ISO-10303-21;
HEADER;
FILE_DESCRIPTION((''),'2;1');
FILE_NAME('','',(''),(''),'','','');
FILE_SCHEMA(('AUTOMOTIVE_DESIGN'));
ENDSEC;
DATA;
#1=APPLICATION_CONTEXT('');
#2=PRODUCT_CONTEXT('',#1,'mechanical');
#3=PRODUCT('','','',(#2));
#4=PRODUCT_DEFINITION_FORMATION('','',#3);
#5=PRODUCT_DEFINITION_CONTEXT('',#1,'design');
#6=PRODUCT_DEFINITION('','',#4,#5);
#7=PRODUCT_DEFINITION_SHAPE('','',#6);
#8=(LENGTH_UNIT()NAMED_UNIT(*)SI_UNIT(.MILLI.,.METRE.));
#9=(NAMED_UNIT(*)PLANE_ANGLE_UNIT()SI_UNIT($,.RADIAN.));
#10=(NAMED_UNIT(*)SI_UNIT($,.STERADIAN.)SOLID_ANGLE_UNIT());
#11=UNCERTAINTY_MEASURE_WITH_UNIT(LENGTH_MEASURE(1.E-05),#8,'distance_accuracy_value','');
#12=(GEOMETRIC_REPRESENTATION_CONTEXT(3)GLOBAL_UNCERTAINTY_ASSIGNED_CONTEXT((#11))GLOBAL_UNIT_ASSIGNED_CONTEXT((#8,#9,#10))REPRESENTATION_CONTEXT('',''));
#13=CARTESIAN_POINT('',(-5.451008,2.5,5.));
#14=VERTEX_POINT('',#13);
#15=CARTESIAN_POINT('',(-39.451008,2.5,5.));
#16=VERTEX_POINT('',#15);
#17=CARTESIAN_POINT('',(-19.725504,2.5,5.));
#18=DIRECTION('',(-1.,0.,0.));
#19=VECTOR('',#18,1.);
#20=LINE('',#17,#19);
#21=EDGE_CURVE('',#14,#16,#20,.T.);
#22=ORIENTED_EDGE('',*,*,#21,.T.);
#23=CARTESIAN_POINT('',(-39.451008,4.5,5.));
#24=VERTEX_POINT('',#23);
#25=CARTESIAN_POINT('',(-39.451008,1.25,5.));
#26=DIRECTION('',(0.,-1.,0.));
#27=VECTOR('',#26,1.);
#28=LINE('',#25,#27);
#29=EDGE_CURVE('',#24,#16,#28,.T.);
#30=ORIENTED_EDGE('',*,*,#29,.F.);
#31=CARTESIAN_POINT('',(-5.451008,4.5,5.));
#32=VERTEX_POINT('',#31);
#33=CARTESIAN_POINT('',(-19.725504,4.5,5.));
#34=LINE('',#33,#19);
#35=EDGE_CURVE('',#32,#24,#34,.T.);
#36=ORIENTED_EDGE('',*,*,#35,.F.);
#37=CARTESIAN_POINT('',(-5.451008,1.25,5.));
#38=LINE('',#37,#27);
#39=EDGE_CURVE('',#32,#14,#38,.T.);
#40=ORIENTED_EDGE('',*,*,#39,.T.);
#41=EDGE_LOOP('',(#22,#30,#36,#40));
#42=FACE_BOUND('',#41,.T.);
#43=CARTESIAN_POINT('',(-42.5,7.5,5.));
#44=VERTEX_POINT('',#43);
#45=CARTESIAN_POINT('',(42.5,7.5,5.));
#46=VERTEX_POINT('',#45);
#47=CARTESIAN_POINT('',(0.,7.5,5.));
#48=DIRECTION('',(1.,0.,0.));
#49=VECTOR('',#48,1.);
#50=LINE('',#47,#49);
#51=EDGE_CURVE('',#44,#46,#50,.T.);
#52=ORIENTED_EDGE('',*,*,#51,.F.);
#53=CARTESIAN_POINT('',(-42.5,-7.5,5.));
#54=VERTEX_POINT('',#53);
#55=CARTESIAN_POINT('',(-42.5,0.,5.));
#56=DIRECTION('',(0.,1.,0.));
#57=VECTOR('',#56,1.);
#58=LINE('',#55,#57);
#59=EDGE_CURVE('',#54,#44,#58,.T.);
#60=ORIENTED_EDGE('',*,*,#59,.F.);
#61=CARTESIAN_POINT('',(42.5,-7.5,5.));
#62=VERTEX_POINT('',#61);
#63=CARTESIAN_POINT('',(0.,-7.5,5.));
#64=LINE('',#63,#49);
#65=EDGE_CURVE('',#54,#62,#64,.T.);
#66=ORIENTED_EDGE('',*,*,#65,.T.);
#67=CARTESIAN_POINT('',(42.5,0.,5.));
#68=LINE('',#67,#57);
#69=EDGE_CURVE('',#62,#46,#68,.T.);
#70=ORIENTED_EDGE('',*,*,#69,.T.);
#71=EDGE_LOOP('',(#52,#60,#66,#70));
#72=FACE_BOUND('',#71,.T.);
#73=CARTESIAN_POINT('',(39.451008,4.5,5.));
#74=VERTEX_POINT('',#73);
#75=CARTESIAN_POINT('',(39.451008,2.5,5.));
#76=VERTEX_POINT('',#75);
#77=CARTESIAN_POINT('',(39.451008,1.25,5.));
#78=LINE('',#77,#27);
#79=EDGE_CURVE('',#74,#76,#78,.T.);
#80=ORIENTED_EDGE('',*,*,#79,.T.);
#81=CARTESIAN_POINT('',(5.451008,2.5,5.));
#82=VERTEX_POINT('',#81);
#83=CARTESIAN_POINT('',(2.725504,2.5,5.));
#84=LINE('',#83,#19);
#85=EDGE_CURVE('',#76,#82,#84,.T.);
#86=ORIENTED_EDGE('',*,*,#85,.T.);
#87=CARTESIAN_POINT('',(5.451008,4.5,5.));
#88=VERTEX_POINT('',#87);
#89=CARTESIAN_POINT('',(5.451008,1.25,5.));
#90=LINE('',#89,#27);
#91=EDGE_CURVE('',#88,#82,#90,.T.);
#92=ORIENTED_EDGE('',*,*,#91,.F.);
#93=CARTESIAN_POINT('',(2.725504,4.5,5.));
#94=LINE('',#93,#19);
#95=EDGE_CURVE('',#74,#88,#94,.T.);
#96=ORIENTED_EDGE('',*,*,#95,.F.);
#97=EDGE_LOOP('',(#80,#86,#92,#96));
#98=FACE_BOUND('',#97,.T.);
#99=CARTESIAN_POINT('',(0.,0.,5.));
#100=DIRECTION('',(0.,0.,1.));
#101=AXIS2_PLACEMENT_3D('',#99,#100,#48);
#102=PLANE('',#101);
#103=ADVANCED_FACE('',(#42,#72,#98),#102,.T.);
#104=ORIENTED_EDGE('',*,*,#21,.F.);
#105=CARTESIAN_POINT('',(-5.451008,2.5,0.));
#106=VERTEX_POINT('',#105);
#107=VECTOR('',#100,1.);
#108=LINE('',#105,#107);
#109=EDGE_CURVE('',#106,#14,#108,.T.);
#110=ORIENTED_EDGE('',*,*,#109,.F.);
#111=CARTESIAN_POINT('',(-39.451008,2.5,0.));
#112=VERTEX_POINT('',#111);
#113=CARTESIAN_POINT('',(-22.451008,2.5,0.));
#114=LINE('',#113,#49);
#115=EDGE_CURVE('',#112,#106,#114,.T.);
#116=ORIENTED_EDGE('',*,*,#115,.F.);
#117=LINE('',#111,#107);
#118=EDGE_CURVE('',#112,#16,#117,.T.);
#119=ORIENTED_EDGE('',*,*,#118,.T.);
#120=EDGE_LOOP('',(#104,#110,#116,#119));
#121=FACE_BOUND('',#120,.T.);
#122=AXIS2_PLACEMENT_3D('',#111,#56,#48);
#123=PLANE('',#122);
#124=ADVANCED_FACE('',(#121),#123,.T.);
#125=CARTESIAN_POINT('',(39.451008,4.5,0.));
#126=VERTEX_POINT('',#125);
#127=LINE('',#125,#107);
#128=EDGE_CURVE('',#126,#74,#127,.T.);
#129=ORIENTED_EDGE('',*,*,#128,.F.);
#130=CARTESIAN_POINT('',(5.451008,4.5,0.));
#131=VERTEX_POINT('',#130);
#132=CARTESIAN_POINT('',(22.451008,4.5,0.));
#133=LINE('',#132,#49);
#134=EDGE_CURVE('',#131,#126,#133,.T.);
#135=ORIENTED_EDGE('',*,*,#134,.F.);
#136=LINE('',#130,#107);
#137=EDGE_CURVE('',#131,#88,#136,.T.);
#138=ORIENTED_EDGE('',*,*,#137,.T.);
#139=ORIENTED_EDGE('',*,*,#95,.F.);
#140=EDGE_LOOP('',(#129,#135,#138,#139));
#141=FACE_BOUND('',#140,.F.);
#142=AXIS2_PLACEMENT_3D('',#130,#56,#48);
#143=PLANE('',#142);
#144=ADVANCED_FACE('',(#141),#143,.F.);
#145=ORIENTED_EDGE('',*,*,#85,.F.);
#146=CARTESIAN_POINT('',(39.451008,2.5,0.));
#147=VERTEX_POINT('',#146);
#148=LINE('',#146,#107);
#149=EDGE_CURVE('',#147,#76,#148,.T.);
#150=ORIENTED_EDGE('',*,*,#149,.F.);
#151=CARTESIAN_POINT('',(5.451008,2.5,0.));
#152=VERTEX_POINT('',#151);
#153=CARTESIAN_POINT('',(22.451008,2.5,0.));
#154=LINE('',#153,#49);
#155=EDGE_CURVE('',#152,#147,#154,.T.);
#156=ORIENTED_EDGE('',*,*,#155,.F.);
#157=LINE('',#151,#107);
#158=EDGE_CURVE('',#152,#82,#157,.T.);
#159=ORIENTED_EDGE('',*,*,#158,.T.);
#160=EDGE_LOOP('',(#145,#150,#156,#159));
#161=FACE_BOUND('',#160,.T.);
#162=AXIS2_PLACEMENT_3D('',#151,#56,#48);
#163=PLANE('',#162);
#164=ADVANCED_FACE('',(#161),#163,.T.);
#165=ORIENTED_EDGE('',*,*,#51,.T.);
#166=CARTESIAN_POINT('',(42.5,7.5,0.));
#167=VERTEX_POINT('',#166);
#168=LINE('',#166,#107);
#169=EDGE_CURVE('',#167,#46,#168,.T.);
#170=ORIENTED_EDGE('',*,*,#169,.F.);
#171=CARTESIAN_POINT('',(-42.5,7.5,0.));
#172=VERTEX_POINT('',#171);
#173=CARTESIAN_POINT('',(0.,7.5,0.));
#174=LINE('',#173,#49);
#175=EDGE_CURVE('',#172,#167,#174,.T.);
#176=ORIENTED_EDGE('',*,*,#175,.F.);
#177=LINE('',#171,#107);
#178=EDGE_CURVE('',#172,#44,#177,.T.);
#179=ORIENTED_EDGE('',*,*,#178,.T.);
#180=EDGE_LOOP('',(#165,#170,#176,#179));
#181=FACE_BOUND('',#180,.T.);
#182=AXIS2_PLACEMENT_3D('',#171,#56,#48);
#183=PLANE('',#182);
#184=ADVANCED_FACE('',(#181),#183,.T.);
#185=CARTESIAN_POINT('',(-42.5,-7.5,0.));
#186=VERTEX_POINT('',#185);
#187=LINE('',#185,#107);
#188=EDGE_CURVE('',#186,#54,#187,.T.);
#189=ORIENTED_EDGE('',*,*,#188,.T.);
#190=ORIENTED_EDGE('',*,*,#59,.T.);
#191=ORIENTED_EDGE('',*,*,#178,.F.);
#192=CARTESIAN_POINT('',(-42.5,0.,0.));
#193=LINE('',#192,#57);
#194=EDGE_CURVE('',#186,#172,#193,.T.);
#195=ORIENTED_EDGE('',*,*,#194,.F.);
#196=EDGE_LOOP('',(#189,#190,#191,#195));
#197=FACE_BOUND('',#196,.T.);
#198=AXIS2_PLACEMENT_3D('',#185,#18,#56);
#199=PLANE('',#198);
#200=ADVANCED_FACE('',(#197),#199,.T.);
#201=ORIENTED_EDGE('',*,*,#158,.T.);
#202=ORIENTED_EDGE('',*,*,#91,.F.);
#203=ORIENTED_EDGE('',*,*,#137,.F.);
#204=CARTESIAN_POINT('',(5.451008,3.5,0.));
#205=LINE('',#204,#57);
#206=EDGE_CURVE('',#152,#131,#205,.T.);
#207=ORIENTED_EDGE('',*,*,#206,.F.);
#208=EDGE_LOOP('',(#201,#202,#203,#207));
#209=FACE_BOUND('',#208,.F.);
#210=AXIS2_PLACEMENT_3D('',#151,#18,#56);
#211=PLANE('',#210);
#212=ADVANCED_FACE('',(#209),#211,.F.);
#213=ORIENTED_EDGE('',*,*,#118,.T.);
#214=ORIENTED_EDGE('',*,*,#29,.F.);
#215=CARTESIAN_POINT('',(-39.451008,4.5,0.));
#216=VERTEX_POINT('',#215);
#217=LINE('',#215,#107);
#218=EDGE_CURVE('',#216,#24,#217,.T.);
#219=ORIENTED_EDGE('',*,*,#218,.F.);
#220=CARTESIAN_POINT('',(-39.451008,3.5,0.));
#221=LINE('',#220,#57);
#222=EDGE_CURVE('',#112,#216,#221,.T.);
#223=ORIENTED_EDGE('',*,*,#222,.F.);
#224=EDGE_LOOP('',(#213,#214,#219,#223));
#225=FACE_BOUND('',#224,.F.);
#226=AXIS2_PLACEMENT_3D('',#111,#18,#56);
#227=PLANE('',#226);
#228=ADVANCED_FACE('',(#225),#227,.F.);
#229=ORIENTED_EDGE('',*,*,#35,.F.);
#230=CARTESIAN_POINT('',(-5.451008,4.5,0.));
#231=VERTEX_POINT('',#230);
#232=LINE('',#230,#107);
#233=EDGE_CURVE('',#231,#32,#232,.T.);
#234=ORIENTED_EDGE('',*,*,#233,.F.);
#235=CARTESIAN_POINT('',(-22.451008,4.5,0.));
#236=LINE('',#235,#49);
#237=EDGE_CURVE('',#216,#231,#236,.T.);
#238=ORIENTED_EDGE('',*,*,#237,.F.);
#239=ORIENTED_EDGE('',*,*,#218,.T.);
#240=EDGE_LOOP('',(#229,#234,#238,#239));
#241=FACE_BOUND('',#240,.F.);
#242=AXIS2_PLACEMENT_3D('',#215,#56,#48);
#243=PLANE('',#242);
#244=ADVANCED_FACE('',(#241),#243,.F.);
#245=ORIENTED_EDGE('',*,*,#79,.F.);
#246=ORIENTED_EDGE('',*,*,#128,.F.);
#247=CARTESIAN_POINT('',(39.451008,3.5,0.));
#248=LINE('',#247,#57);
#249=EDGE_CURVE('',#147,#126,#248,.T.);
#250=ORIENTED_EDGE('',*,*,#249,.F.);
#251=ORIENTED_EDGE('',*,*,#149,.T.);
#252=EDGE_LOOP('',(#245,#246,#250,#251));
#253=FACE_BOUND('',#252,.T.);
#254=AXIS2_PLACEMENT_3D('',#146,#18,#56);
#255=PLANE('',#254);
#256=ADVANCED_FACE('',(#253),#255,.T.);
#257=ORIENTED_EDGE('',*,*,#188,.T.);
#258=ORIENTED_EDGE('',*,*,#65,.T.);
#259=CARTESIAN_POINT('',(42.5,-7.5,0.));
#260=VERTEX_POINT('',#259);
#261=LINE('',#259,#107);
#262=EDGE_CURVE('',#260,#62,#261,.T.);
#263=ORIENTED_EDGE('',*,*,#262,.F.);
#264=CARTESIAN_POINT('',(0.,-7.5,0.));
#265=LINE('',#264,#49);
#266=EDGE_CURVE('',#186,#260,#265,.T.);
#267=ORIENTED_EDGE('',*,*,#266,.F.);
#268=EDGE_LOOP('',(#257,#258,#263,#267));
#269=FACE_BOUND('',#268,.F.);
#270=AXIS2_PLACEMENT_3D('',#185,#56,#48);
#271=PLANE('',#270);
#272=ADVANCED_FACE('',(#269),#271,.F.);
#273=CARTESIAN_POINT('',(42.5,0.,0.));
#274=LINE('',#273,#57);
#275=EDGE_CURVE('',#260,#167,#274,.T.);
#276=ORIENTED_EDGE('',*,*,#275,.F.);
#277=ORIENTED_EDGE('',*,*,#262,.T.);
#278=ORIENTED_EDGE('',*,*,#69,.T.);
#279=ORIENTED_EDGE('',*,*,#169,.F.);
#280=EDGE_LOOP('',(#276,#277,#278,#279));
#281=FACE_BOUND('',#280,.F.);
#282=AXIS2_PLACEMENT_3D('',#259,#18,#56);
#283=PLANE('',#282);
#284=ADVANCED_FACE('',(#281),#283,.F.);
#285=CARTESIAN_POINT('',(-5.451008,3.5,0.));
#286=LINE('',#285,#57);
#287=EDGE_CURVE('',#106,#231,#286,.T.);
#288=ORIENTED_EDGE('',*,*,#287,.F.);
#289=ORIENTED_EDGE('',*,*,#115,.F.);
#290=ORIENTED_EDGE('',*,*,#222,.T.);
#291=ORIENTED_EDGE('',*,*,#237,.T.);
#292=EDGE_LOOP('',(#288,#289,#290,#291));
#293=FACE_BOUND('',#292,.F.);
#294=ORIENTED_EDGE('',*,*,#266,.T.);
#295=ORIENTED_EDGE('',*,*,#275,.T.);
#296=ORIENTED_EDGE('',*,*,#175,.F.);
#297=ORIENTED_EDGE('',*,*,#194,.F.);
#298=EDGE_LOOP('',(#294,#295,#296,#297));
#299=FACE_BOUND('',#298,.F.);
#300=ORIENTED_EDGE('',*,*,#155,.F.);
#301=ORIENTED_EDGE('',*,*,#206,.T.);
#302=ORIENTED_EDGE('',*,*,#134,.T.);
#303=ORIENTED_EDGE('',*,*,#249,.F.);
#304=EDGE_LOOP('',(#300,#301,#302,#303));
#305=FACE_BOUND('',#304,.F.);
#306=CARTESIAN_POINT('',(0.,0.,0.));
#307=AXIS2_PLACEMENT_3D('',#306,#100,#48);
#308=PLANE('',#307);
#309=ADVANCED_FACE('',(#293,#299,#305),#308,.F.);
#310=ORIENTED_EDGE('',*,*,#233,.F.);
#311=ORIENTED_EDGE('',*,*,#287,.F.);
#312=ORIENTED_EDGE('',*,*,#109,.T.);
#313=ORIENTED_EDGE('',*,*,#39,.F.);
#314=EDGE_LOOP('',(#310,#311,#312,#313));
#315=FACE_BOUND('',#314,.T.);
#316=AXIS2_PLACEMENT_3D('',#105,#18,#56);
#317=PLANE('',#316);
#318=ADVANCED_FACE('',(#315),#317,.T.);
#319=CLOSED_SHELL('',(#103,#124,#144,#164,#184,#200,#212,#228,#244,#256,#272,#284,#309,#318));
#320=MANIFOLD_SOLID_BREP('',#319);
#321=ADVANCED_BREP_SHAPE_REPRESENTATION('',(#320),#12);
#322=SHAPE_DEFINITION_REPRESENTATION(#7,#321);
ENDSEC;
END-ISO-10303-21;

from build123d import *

# Parameters (mm, degrees)
F0_W     = 85
F0_H     = 15
F1_DEPTH = 5
F2_W     = 34
F2_H     = 2
F3_DEPTH = 5.001


with BuildPart() as f1:
    # F0 (on Top) → F1 (new body)
    with BuildSketch(Plane.XY):
        Rectangle(F0_W, F0_H)
    extrude(amount=F1_DEPTH)

    # F2 (on Top) → F3 (cut, through all)
    with BuildSketch(Plane.XY):
        with Locations((-22.451008, 3.5)):
            Rectangle(F2_W, F2_H)
        with Locations((22.451008, 3.5)):
            Rectangle(F2_W, F2_H)
    extrude(amount=F3_DEPTH, mode=Mode.SUBTRACT)


solid = f1.part
